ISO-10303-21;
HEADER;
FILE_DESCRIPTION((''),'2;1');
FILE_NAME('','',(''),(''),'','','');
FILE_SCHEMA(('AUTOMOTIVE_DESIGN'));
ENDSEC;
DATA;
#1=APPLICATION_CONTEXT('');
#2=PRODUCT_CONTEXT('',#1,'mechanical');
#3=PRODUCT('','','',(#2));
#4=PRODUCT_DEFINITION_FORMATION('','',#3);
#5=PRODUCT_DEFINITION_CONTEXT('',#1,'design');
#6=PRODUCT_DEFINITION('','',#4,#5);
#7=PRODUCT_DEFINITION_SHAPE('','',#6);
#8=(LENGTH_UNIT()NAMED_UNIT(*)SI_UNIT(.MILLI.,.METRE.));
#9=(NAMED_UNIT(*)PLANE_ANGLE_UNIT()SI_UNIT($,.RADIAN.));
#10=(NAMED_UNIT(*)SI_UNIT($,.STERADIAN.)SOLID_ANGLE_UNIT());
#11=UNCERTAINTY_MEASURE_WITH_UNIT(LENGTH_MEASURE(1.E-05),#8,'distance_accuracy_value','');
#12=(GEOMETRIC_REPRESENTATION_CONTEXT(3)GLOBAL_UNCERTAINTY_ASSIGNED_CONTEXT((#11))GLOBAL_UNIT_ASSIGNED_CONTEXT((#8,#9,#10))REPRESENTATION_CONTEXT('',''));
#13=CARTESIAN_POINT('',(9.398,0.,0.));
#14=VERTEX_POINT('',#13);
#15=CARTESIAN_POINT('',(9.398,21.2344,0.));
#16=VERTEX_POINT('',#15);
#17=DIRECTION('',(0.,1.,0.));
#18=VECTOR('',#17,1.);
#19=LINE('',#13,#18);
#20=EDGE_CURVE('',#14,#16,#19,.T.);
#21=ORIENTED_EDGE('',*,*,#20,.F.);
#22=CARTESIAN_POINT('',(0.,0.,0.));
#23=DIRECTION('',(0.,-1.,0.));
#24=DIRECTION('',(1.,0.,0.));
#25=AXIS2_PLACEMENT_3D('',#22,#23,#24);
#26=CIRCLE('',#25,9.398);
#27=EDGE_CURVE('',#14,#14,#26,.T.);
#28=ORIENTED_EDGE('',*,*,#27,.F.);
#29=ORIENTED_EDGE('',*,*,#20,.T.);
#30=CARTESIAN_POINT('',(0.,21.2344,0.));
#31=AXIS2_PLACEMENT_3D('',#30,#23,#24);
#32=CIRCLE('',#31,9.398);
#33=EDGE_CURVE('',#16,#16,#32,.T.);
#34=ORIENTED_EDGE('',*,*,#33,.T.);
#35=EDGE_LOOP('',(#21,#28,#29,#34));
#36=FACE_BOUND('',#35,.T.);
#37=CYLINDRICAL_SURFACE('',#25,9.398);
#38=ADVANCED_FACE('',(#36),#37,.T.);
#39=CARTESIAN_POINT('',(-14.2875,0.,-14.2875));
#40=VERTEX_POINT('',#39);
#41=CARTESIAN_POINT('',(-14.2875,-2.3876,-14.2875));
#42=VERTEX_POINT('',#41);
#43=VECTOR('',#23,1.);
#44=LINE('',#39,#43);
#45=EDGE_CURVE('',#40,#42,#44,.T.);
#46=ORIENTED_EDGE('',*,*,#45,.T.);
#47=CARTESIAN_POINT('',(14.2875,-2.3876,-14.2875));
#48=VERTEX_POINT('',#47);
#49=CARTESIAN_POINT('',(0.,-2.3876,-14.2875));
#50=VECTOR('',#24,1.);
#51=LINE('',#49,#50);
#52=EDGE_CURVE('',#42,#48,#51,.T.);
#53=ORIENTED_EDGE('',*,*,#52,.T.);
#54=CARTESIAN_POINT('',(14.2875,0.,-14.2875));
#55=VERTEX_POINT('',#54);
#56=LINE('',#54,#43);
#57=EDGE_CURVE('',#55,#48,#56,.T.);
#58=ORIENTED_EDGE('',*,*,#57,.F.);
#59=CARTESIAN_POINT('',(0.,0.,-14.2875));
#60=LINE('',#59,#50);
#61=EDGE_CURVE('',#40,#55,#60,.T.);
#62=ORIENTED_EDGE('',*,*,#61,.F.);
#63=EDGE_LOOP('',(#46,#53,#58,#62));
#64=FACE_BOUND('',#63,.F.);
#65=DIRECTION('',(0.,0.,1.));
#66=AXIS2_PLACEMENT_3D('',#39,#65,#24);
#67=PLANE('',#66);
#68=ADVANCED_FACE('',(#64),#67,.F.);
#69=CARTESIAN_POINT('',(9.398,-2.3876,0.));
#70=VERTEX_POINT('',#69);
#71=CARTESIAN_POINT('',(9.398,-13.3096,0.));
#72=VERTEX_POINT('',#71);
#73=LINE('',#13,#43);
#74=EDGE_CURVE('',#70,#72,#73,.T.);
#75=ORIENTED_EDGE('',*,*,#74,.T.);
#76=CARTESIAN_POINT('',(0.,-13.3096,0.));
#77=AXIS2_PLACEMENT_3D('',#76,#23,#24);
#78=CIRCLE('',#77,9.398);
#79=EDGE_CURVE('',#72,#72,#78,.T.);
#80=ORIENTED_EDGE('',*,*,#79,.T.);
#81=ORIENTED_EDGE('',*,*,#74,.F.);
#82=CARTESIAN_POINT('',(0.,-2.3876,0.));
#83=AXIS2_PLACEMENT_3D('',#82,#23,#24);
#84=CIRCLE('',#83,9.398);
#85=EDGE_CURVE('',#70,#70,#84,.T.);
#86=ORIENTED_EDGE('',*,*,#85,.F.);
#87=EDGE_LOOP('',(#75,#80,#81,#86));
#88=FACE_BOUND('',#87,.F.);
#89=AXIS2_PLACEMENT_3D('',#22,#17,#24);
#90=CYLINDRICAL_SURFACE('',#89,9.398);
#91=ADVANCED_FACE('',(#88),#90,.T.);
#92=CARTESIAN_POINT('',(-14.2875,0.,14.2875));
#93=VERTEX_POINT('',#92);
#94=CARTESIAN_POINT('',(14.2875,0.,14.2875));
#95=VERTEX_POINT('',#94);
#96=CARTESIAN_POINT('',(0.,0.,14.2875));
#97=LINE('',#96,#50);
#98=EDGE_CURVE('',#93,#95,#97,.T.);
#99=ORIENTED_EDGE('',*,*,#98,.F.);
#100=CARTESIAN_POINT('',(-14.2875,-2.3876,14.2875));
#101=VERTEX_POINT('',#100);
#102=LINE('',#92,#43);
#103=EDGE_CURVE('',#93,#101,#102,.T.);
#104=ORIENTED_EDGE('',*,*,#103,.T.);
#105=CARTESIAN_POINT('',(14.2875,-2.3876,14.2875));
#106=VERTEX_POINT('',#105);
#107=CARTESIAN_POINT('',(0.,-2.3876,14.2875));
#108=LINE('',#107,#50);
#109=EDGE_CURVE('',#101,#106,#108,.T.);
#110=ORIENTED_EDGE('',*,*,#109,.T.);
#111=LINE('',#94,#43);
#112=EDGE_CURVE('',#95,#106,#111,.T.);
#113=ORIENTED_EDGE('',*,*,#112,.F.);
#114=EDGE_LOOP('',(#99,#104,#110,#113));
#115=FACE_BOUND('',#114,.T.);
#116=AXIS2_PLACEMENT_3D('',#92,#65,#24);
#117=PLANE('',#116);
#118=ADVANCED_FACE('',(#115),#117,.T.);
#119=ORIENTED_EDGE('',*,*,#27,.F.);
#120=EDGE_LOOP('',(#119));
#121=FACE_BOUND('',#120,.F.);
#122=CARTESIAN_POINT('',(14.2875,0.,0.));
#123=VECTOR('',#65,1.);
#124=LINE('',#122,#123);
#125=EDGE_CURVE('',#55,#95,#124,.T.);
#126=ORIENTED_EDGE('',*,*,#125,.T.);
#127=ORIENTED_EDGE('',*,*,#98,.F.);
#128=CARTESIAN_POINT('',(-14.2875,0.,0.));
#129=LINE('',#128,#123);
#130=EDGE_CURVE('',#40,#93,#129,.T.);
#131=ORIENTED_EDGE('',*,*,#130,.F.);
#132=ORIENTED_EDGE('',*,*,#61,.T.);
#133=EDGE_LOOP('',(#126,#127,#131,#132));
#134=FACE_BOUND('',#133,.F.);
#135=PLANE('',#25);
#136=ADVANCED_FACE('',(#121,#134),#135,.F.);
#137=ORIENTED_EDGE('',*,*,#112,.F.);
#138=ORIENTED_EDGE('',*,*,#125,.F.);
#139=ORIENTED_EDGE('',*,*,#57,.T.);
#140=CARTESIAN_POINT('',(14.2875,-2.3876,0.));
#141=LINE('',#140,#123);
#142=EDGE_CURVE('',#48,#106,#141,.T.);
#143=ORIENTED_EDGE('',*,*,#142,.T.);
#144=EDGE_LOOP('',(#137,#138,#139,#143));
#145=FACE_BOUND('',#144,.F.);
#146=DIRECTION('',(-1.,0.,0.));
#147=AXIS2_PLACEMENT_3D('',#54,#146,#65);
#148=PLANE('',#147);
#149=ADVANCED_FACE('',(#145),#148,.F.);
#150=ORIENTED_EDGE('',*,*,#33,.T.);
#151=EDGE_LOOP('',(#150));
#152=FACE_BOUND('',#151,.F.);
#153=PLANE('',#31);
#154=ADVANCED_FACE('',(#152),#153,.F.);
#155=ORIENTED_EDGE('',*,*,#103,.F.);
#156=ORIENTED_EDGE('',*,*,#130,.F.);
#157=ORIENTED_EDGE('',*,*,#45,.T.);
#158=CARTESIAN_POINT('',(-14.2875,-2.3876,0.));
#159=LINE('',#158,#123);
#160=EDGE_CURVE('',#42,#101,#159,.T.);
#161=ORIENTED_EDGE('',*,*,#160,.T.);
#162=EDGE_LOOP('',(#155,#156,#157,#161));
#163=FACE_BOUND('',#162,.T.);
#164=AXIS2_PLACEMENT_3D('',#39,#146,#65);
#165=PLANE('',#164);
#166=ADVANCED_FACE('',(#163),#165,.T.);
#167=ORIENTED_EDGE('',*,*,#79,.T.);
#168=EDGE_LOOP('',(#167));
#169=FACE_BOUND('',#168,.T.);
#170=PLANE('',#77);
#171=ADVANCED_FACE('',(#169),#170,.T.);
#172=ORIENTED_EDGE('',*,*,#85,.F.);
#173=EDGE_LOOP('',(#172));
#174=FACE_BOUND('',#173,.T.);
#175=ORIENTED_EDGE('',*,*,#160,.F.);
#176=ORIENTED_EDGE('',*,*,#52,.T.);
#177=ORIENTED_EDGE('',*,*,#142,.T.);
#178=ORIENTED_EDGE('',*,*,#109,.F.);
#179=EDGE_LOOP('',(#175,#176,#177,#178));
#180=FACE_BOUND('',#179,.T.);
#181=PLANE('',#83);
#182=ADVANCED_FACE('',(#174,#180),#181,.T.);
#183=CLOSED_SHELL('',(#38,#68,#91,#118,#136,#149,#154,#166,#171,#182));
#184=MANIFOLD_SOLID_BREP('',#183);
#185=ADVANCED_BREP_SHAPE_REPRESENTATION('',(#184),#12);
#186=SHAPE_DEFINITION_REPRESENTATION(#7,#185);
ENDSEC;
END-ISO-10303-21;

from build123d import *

# Parameters (mm, degrees)
F0_W          = 28.575
F0_H          = 28.575
F0_R          = 9.398
F1_DEPTH      = 2.3876
F2_DEPTH      = 13.3096
F2_DEPTH_BACK = 21.2344


with BuildPart() as f1:
    # F0 (on Front) → F1 (new body)
    with BuildSketch(Plane.XZ):
        Rectangle(F0_W, F0_H)
        Circle(F0_R, mode=Mode.SUBTRACT)
    extrude(amount=F1_DEPTH)

    # F0 (on Front) → F2 (join, two sides)
    with BuildSketch(Plane.XZ) as f2_sk:
        Circle(F0_R)
    extrude(amount=F2_DEPTH)
    extrude(f2_sk.sketch, amount=-F2_DEPTH_BACK)


solid = f1.part
